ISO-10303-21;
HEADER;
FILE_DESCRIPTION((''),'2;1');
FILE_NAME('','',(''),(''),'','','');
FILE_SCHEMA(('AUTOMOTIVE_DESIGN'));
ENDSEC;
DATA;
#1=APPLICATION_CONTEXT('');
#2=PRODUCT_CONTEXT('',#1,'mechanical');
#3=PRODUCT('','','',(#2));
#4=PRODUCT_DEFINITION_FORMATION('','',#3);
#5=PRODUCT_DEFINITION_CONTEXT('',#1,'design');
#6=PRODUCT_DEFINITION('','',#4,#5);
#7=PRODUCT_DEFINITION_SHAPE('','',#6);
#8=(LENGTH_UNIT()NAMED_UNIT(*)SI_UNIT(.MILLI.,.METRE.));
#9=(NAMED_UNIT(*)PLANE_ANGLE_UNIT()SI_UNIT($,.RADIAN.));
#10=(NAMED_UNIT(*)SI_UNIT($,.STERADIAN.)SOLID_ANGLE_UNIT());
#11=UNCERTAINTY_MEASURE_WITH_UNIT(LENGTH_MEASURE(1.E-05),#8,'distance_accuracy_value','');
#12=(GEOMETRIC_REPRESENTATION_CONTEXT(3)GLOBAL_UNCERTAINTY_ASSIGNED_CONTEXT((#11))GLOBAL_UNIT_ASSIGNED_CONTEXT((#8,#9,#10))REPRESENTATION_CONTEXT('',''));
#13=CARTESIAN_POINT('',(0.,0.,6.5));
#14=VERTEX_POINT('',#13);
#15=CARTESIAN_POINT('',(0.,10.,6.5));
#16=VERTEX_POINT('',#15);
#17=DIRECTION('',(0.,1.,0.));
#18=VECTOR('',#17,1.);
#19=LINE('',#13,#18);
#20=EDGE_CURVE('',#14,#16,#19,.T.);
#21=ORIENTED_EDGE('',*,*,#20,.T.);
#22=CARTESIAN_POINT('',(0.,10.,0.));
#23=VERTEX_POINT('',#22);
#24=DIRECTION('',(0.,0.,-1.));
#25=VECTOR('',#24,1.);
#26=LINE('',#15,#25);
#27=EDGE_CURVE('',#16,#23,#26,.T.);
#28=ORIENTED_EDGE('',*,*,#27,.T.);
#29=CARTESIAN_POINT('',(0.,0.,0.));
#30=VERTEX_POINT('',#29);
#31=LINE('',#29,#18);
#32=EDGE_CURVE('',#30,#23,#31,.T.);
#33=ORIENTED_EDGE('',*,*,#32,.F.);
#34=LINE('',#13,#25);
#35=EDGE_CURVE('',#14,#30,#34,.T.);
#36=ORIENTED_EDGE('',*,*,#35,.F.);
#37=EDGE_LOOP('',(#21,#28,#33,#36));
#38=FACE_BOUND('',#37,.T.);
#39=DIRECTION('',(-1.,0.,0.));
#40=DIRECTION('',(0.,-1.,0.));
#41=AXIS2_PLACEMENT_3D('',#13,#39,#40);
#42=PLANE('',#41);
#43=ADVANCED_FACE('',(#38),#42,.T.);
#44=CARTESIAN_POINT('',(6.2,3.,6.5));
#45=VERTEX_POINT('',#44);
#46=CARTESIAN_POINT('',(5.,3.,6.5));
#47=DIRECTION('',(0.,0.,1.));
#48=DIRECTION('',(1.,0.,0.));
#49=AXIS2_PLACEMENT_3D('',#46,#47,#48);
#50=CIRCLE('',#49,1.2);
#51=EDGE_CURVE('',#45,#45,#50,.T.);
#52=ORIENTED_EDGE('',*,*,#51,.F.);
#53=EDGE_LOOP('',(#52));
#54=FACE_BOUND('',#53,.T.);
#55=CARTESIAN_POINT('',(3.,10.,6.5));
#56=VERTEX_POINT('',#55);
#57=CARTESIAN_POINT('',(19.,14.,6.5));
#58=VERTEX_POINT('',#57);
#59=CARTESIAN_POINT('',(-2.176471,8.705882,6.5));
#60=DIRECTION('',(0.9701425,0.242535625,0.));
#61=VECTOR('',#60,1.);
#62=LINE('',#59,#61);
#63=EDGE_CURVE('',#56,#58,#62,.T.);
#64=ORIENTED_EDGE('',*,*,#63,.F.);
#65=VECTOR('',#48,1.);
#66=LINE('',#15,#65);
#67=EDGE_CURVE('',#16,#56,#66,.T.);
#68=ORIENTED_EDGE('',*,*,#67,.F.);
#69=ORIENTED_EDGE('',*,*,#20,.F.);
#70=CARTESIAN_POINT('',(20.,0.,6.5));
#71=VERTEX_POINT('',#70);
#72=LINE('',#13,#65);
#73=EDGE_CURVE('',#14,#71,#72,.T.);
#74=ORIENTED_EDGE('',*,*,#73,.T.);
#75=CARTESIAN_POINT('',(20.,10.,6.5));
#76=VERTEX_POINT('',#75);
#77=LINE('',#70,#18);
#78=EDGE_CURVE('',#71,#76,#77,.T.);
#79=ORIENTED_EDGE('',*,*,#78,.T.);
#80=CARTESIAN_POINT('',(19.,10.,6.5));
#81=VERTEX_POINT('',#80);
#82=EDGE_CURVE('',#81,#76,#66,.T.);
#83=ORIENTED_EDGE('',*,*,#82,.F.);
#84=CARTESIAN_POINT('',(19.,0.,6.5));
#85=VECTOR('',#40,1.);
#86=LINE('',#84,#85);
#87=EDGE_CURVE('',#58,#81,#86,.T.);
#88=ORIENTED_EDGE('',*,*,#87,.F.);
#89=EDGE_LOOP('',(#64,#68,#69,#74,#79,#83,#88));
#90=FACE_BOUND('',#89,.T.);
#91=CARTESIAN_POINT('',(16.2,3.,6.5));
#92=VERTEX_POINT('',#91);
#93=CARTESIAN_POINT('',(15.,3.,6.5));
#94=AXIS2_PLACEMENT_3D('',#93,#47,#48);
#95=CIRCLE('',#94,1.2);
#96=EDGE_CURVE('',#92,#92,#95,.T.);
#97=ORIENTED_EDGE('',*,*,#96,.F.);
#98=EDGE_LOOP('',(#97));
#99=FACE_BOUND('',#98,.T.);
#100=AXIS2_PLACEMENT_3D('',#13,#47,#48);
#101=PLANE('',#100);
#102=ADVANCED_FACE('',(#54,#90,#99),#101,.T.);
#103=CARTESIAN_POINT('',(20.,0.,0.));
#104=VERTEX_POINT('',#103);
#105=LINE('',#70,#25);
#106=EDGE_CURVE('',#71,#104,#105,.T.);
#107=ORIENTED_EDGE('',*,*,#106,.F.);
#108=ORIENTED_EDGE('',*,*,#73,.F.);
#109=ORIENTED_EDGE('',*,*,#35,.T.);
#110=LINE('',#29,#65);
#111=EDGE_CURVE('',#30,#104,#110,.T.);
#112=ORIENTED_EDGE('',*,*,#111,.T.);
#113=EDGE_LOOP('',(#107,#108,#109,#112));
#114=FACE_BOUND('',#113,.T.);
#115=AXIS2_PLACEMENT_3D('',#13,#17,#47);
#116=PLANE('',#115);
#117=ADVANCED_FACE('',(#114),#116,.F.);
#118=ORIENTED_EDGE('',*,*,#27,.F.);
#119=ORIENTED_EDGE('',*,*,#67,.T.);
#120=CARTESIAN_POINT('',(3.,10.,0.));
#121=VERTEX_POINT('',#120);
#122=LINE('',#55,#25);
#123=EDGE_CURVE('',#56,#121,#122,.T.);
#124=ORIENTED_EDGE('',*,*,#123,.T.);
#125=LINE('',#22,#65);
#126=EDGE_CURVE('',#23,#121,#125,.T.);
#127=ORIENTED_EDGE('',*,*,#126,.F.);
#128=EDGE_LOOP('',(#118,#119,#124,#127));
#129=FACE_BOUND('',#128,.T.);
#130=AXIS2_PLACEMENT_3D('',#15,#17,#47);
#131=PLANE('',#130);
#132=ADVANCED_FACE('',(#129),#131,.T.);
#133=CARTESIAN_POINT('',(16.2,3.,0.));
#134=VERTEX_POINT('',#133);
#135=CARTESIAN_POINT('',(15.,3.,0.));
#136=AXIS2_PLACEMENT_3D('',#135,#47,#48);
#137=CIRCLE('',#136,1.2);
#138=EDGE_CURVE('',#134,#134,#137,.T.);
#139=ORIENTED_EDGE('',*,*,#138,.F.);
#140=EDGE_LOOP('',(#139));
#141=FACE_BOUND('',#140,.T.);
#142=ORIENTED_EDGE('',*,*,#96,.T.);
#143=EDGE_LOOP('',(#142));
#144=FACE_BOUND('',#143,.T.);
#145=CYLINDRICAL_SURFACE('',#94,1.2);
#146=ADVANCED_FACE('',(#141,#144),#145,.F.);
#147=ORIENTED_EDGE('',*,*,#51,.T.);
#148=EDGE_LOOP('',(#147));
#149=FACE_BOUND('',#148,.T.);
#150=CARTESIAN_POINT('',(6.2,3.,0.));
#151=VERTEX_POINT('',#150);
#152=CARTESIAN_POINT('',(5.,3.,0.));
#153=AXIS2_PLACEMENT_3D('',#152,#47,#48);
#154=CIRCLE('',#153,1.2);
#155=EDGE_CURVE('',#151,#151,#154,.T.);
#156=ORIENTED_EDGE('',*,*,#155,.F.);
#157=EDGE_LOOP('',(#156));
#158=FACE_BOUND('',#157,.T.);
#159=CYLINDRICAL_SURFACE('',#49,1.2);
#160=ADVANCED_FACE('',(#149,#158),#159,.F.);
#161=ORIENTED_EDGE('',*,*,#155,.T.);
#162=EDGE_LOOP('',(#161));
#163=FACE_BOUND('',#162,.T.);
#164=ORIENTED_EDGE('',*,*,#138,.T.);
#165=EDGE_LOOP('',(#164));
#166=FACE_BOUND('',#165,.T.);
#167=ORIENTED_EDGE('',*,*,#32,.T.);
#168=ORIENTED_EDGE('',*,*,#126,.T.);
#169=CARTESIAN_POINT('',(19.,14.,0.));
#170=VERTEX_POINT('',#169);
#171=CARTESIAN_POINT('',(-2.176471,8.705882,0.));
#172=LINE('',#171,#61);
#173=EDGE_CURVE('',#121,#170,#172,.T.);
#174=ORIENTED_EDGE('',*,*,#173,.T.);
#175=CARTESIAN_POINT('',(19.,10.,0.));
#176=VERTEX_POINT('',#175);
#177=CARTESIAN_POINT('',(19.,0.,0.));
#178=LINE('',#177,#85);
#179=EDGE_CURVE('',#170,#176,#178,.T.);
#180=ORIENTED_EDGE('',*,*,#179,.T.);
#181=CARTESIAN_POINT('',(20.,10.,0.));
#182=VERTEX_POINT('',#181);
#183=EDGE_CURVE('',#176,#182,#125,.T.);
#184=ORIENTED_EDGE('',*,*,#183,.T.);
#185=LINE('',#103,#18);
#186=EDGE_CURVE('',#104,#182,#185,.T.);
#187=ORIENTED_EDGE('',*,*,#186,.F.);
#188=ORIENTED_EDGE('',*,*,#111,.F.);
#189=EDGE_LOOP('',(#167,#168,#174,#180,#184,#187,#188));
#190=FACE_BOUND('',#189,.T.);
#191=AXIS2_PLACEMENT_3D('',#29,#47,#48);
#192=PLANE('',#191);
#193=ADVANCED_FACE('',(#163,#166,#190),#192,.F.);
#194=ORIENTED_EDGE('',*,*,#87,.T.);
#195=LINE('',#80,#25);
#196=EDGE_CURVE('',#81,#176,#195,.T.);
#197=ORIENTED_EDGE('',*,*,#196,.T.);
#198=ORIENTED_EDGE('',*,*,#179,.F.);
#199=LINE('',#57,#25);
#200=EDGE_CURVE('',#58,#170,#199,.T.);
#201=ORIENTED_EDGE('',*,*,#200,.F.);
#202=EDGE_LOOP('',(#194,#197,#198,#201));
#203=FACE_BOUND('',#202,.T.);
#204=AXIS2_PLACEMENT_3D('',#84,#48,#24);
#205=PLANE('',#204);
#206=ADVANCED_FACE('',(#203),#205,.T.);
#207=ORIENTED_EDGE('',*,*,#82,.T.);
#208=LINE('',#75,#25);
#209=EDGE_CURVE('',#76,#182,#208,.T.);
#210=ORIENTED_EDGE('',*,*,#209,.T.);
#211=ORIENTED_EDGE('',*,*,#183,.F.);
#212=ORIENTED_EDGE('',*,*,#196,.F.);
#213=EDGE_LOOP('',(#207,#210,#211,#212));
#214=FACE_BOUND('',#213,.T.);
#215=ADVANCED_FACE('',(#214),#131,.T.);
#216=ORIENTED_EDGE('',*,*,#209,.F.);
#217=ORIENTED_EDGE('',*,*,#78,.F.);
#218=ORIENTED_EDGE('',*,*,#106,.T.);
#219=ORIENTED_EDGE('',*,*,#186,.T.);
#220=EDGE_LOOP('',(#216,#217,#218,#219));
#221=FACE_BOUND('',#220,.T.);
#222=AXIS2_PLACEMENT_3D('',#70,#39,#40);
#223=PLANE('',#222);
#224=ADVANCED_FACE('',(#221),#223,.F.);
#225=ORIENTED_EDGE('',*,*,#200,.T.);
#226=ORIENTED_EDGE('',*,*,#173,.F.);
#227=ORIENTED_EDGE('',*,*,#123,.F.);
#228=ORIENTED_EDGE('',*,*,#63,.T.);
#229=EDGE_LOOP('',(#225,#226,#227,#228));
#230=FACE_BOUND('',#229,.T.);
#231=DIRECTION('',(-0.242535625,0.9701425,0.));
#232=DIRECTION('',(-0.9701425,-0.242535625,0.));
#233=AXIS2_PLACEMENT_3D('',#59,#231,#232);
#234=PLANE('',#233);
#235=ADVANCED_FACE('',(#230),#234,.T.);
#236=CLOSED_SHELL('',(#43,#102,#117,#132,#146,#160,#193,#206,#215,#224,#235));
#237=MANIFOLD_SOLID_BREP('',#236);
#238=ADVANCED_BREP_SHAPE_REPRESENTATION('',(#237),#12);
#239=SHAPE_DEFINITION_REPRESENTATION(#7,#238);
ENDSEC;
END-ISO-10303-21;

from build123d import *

# Parameters (mm, degrees)
SKETCH1_W            = 20
SKETCH1_H            = 10
BOSS_EXTRUDE1_DEPTH  = 6.5
M2_CLEARANCE_HOLE1_D = 2.4


with BuildPart() as part:
    # Sketch1 → Boss-Extrude1 (new body)
    with BuildSketch(Plane.XY):
        Polygon((19, 14), (3, 10), (19, 10), align=None)
        with Locations((10, 5)):
            Rectangle(SKETCH1_W, SKETCH1_H)
    extrude(amount=BOSS_EXTRUDE1_DEPTH)

    # M2 Clearance Hole1 (through all)
    with Locations(Plane.XY.offset(6.5)):
        with Locations((5, 3), (15, 3)):
            Hole(M2_CLEARANCE_HOLE1_D / 2)


solid = part.part
